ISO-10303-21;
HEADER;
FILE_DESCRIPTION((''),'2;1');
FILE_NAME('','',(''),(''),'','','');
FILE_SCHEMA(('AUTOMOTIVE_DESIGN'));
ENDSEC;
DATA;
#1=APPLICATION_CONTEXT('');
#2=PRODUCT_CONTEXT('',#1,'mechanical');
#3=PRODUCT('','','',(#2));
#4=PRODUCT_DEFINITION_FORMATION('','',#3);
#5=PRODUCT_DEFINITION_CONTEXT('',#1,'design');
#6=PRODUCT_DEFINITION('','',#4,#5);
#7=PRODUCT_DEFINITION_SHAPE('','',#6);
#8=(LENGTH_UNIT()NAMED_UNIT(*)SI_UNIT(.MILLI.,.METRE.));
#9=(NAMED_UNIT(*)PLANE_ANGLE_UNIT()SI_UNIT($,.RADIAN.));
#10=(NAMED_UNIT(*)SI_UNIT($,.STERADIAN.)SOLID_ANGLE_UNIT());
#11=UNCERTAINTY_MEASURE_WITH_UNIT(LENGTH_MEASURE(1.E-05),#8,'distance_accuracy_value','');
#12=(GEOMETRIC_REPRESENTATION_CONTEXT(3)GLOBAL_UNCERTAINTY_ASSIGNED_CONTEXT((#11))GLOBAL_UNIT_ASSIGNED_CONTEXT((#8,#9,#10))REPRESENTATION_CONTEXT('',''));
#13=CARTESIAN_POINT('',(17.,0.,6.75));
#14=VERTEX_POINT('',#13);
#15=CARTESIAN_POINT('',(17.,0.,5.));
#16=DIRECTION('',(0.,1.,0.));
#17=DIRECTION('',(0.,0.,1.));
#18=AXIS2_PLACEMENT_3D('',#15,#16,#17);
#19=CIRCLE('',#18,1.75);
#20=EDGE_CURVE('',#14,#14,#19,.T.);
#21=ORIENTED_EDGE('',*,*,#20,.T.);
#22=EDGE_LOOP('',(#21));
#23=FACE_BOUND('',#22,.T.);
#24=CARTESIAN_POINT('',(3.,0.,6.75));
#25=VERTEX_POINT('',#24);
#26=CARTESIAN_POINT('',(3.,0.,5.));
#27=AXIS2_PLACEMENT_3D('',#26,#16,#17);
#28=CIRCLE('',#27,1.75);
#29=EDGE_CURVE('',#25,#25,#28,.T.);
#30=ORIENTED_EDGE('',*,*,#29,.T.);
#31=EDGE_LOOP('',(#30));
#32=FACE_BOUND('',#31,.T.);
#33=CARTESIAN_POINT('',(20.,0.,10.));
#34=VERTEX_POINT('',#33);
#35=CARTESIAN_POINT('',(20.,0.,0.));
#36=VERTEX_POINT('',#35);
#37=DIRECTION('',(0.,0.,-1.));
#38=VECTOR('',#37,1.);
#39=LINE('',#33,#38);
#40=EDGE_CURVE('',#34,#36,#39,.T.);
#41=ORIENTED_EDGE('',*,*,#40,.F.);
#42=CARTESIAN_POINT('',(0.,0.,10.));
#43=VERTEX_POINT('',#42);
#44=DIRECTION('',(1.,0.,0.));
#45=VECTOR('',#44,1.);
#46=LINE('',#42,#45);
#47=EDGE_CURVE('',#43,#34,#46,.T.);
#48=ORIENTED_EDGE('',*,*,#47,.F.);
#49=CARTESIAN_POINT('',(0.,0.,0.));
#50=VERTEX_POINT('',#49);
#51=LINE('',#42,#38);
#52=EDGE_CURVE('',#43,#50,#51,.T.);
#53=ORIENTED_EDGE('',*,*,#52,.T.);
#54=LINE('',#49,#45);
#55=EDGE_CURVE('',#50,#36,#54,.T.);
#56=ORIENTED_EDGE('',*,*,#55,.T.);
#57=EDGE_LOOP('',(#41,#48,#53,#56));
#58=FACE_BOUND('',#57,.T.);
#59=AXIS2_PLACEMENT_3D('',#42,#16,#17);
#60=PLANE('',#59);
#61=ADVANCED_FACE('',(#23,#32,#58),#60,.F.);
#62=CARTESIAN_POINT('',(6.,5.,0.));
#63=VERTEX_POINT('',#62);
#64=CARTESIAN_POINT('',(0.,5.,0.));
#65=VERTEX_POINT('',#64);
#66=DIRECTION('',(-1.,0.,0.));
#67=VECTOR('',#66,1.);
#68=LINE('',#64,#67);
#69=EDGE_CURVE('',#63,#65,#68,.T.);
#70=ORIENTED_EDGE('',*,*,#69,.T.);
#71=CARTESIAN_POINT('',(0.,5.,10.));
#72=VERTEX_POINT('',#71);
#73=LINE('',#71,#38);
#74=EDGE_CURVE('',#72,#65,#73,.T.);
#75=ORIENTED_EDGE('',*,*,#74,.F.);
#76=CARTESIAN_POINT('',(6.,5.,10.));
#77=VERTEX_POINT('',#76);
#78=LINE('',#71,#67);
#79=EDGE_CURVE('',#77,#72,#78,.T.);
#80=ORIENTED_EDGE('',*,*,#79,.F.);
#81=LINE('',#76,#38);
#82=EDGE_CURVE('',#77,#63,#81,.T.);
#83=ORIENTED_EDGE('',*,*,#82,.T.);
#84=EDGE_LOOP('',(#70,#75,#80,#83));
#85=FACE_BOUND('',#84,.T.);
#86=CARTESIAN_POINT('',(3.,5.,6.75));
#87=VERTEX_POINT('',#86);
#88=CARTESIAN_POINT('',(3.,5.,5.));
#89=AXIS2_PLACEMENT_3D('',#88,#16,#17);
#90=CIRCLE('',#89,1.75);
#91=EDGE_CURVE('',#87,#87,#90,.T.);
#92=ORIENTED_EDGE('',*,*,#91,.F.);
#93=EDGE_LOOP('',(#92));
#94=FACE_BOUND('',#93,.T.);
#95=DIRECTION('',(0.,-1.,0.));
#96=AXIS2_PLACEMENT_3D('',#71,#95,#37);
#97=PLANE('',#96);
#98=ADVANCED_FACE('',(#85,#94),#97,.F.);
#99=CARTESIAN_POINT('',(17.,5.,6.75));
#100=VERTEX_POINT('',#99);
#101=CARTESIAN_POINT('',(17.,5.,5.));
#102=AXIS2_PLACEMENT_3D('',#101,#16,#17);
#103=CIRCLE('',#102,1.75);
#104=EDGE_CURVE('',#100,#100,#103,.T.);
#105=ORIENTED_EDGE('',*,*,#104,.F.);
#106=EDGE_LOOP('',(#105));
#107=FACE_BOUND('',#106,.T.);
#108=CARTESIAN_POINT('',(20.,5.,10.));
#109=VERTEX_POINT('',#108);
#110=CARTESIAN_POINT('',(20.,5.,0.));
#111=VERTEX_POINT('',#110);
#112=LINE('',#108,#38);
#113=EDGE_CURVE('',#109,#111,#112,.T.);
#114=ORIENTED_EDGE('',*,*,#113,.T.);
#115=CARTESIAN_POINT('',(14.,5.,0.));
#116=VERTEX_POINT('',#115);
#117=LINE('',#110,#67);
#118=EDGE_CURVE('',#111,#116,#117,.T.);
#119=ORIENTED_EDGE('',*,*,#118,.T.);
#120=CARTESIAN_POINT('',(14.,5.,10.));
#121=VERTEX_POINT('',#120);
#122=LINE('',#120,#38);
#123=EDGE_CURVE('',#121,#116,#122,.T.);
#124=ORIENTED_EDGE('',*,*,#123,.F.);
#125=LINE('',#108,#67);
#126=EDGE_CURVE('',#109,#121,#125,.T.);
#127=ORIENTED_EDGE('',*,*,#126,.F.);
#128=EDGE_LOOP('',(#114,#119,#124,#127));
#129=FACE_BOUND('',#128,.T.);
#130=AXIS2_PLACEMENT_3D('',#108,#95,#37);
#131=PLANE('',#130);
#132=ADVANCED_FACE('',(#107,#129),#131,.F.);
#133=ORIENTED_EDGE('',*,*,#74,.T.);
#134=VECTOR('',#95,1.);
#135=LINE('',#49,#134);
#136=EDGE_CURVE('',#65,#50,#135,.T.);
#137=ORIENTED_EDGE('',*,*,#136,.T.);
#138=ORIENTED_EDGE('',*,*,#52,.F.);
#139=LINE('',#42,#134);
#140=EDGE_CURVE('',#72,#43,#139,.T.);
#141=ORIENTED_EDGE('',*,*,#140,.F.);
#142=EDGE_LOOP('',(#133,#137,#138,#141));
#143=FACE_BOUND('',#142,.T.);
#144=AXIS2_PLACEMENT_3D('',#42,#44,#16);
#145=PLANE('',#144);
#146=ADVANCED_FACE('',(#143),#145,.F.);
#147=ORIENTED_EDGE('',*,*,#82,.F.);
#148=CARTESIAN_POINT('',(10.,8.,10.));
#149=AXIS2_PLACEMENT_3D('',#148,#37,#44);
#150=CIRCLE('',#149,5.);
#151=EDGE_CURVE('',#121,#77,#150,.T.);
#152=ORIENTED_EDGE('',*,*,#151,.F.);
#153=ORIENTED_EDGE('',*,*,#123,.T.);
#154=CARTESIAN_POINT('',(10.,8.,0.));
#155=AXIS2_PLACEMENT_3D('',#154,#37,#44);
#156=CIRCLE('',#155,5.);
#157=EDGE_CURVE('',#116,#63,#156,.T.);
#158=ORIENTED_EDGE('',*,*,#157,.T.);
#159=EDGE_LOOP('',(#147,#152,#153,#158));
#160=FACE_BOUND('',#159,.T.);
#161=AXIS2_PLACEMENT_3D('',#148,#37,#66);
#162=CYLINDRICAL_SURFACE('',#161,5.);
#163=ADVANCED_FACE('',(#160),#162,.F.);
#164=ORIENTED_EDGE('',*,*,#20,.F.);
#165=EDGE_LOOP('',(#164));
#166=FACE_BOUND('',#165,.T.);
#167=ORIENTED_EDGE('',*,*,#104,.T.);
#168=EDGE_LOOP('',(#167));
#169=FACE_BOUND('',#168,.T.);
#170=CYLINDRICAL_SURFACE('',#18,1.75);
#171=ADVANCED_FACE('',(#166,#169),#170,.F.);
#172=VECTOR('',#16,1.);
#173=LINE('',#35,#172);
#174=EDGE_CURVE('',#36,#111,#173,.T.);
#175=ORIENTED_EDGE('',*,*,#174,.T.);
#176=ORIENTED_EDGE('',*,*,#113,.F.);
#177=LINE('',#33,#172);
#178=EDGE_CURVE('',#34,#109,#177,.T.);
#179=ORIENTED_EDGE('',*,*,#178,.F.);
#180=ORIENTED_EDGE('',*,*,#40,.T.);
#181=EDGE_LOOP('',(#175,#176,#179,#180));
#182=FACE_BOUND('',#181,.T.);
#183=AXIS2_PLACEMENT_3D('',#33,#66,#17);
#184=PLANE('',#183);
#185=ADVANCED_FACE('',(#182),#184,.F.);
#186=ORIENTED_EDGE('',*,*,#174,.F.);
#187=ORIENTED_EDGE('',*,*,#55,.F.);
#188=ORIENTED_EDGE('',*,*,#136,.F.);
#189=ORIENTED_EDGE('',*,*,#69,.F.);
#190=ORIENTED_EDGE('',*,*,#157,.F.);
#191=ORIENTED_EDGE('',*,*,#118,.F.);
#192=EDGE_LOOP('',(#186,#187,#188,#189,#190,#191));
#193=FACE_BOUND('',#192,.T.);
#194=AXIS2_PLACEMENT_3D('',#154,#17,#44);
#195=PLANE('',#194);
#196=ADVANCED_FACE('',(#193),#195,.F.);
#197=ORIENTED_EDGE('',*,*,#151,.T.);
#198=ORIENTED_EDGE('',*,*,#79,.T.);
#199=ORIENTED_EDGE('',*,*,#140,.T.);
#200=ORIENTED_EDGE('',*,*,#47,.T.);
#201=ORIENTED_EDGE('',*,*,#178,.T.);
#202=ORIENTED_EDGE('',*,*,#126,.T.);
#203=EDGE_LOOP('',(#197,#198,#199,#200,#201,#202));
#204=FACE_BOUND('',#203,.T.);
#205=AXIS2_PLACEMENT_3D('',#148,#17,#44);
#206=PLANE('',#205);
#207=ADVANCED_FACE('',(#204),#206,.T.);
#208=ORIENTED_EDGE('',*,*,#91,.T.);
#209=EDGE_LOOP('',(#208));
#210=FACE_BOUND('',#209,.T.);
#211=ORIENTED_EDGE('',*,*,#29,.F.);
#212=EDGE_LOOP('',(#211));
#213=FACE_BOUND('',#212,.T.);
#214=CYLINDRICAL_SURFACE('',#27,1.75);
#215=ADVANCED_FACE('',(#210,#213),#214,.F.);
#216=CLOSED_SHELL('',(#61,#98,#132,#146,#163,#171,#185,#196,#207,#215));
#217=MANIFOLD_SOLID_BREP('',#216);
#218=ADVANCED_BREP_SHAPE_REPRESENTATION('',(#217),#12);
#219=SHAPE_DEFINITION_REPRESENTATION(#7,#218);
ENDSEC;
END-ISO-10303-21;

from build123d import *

# Parameters (mm, degrees)
AUFSATZ_LINEAR_AUSTRAGEN1_DEPTH = 10
SKIZZE2_R                       = 1.75
SCHNITT_LINEAR_AUSTRAGEN1_DEPTH = 6


with BuildPart() as part:
    # Skizze1 → Aufsatz-Linear austragen1 (new body)
    with BuildSketch(Plane.XY):
        with BuildLine():
            Line((0, 0), (20, 0))
            Line((20, 0), (20, 5))
            Line((20, 5), (14, 5))
            ThreePointArc((14, 5), (10, 3), (6, 5))
            Line((6, 5), (0, 5))
            Line((0, 5), (0, 0))
        make_face()
    extrude(amount=AUFSATZ_LINEAR_AUSTRAGEN1_DEPTH)

    # Skizze2 → Schnitt-Linear austragen1 (cut, through all)
    with BuildSketch(Plane(origin=(0, 5, 0), x_dir=(1, 0, 0), z_dir=(0, 1, 0))):
        with Locations((3, -5)):
            Circle(SKIZZE2_R)
        with Locations((17, -5)):
            Circle(SKIZZE2_R)
    extrude(amount=-SCHNITT_LINEAR_AUSTRAGEN1_DEPTH, mode=Mode.SUBTRACT)


solid = part.part
